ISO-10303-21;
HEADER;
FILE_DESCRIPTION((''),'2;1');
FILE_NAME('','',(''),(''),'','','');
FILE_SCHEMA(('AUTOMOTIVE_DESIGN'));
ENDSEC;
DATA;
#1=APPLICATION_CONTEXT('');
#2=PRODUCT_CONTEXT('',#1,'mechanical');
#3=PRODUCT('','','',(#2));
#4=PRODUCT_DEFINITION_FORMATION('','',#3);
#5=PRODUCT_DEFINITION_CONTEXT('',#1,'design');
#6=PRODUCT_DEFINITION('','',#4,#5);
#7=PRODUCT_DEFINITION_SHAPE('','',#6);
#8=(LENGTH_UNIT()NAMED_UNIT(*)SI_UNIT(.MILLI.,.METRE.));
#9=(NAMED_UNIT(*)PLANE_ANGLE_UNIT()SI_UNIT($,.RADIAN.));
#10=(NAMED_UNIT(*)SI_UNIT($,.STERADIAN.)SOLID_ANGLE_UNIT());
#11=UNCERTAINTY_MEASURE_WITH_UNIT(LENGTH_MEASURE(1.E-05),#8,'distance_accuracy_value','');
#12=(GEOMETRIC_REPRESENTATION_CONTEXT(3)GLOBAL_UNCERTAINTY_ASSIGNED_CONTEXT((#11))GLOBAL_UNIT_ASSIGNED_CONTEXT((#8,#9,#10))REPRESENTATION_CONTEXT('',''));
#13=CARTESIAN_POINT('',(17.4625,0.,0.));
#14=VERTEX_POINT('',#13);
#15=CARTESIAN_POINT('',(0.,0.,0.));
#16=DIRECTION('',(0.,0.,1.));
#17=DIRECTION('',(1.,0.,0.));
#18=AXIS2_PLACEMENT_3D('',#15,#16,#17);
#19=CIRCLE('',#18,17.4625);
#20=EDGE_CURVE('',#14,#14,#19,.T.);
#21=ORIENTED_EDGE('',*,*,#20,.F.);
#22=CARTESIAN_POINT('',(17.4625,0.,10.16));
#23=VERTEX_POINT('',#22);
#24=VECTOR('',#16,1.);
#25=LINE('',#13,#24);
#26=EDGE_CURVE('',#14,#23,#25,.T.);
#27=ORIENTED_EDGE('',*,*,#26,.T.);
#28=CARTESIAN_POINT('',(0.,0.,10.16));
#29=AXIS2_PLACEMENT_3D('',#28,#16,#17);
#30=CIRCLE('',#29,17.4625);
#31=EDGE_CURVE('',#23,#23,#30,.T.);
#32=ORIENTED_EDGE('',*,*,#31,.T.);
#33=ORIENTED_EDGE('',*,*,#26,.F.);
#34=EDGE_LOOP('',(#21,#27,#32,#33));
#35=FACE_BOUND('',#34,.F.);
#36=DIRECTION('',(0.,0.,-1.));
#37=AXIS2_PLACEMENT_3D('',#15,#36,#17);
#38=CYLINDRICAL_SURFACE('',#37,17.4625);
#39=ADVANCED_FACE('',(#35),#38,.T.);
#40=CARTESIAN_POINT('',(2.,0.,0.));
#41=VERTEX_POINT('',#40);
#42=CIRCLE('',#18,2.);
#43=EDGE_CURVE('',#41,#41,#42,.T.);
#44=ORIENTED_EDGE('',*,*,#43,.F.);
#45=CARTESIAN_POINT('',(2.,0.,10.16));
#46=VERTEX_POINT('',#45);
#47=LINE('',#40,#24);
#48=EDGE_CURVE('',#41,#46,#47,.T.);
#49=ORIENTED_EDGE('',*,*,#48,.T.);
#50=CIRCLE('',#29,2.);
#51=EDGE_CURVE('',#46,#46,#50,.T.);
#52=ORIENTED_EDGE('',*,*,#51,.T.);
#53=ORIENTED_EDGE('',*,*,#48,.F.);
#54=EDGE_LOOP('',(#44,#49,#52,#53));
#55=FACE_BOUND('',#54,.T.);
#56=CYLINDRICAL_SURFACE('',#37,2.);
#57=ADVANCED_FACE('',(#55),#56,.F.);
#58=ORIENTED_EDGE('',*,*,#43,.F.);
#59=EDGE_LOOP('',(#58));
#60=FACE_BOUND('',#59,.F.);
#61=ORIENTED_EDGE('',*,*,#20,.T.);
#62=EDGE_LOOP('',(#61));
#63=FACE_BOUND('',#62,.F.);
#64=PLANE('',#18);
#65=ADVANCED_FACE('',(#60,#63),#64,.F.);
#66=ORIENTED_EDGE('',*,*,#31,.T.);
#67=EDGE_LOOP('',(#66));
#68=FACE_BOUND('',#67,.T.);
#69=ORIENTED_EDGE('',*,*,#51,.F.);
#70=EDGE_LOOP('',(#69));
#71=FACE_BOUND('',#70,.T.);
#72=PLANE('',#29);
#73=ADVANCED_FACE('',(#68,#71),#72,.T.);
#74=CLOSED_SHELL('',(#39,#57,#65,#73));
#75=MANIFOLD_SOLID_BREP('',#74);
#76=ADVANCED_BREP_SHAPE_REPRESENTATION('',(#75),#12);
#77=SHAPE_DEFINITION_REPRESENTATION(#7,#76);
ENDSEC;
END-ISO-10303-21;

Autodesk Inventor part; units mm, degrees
ref_plane "YZ Plane" through (0, 0, 0) normal (1, 0, 0) x (0, 1, 0)
ref_plane "XZ Plane" through (0, 0, 0) normal (0, 1, 0) x (-1, 0, 0)
ref_plane "XY Plane" through (0, 0, 0) normal (0, 0, 1) x (1, 0, 0)
sketch "Sketch1" plane through (0, 0, 0) normal (0, 0, 1) x (1, 0, 0)
  circle A0 centre (0, 0) radius 2
  circle A1 centre (0, 0) radius 17.4625
  dimension "d0" = 4
  dimension "d1" = 34.925
extrude "Extrusion1" add sketch "Sketch1" along normal blind 10.16
properties part number "wheels"
